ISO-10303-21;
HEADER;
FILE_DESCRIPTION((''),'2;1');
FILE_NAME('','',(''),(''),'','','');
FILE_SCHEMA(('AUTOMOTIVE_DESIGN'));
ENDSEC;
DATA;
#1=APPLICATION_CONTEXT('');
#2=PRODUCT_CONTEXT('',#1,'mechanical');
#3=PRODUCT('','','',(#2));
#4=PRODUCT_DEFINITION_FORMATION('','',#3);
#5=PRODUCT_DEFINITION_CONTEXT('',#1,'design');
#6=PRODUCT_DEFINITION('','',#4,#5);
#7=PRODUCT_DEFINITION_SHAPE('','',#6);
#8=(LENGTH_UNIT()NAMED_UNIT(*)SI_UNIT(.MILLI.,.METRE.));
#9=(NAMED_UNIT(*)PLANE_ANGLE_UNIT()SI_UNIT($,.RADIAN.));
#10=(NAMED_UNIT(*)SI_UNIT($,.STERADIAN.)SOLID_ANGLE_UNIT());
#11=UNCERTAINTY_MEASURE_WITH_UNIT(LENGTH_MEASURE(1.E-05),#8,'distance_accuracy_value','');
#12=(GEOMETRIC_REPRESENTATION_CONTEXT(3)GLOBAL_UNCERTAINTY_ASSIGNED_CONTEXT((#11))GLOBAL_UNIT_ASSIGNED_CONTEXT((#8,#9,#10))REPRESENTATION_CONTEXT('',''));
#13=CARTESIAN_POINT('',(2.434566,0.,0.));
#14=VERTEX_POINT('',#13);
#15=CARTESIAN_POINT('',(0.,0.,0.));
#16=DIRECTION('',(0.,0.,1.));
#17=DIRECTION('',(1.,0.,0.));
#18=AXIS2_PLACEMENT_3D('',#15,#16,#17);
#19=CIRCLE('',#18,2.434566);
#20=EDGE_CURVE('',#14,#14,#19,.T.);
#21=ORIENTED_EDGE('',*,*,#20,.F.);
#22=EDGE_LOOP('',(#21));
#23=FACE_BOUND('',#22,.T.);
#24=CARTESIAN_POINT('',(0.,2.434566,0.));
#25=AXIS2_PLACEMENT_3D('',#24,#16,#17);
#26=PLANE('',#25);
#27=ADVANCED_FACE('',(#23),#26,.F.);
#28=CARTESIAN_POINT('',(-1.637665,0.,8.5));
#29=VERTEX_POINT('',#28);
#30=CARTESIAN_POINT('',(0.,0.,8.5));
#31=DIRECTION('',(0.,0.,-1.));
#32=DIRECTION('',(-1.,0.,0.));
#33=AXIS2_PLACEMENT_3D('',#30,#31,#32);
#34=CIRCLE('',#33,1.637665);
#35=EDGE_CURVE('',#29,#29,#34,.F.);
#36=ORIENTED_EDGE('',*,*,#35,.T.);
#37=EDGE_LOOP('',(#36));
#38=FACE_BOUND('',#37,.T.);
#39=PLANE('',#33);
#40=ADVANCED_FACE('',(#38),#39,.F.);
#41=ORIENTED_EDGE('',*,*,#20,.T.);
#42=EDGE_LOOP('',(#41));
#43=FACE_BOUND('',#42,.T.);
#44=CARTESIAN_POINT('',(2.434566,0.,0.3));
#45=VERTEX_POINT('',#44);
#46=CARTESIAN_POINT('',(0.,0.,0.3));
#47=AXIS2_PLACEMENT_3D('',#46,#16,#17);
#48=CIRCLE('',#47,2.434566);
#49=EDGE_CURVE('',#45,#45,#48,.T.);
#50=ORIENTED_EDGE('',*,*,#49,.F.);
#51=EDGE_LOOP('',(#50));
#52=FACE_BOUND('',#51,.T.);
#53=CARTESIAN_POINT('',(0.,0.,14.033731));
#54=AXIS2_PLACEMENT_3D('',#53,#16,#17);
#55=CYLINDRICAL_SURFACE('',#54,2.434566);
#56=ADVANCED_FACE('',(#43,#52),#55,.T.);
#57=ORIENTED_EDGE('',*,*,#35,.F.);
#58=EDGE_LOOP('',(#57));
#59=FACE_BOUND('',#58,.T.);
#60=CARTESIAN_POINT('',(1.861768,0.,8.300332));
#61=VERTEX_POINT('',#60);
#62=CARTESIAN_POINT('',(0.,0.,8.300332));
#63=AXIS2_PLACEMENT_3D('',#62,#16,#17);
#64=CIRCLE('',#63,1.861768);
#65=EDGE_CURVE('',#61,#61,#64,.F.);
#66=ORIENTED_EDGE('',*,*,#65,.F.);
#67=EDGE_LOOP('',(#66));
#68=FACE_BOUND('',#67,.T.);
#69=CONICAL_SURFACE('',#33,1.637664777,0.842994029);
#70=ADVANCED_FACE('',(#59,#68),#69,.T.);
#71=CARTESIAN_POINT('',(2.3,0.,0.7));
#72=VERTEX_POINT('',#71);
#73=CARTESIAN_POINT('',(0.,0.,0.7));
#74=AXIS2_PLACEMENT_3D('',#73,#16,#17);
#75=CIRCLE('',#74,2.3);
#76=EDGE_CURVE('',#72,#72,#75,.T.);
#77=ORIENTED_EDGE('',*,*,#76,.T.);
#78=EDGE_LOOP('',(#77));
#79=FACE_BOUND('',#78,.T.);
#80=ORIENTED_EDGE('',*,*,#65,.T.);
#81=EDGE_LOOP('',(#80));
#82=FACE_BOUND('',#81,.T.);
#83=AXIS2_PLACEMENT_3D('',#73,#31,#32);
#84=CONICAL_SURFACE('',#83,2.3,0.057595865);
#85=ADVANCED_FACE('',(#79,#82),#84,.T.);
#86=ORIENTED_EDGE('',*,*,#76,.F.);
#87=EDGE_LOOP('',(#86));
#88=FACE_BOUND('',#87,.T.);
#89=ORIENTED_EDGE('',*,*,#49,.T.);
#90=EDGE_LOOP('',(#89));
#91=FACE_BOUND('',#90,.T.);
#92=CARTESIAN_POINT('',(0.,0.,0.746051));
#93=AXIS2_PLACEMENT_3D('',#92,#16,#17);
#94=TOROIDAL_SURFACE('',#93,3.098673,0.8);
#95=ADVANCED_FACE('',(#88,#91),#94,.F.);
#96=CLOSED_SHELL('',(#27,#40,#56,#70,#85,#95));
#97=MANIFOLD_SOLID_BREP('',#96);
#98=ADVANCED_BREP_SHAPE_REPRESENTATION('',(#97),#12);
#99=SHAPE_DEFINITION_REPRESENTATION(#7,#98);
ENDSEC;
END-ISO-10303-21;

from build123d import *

# Parameters (mm, degrees)
CHAMFER1_SIZE  = 0.2
CHAMFER1_SIZE2 = 0.212590053


with BuildPart() as part:
    # Sketch1 → Revolve1 (revolve)
    with BuildSketch(Plane(origin=(0, 0, 0), x_dir=(0, 0, -1), z_dir=(1, 0, 0))):
        with BuildLine():
            Line((-8.5, 0), (-0.7, 0))
            Line((-0.7, 0), (0, 0))
            Line((0, 0), (0, 2.434566302))
            Line((0, 2.434566302), (-0.3, 2.434566302))
            ThreePointArc((-0.3, 2.434566302), (-0.490966479, 2.340430897), (-0.7, 2.3))
            Line((-0.7, 2.3), (-8.5, 1.85025483))
            Line((-8.5, 1.85025483), (-8.5, 0))
        make_face()
    revolve(axis=Axis((0, 0, 14.033730871), (0, 0, -1)))

    # Chamfer1
    chamfer1_edges = [part.edges().sort_by_distance(p)[0] for p in [
        (0, -1.85025483, 8.5),
    ]]
    chamfer1_side = [part.faces().sort_by_distance(p)[0] for p in [
        (0, -2.075127415, 4.6),
    ]]
    chamfer(chamfer1_edges, length=CHAMFER1_SIZE, length2=CHAMFER1_SIZE2, reference=chamfer1_side[0])


solid = part.part
